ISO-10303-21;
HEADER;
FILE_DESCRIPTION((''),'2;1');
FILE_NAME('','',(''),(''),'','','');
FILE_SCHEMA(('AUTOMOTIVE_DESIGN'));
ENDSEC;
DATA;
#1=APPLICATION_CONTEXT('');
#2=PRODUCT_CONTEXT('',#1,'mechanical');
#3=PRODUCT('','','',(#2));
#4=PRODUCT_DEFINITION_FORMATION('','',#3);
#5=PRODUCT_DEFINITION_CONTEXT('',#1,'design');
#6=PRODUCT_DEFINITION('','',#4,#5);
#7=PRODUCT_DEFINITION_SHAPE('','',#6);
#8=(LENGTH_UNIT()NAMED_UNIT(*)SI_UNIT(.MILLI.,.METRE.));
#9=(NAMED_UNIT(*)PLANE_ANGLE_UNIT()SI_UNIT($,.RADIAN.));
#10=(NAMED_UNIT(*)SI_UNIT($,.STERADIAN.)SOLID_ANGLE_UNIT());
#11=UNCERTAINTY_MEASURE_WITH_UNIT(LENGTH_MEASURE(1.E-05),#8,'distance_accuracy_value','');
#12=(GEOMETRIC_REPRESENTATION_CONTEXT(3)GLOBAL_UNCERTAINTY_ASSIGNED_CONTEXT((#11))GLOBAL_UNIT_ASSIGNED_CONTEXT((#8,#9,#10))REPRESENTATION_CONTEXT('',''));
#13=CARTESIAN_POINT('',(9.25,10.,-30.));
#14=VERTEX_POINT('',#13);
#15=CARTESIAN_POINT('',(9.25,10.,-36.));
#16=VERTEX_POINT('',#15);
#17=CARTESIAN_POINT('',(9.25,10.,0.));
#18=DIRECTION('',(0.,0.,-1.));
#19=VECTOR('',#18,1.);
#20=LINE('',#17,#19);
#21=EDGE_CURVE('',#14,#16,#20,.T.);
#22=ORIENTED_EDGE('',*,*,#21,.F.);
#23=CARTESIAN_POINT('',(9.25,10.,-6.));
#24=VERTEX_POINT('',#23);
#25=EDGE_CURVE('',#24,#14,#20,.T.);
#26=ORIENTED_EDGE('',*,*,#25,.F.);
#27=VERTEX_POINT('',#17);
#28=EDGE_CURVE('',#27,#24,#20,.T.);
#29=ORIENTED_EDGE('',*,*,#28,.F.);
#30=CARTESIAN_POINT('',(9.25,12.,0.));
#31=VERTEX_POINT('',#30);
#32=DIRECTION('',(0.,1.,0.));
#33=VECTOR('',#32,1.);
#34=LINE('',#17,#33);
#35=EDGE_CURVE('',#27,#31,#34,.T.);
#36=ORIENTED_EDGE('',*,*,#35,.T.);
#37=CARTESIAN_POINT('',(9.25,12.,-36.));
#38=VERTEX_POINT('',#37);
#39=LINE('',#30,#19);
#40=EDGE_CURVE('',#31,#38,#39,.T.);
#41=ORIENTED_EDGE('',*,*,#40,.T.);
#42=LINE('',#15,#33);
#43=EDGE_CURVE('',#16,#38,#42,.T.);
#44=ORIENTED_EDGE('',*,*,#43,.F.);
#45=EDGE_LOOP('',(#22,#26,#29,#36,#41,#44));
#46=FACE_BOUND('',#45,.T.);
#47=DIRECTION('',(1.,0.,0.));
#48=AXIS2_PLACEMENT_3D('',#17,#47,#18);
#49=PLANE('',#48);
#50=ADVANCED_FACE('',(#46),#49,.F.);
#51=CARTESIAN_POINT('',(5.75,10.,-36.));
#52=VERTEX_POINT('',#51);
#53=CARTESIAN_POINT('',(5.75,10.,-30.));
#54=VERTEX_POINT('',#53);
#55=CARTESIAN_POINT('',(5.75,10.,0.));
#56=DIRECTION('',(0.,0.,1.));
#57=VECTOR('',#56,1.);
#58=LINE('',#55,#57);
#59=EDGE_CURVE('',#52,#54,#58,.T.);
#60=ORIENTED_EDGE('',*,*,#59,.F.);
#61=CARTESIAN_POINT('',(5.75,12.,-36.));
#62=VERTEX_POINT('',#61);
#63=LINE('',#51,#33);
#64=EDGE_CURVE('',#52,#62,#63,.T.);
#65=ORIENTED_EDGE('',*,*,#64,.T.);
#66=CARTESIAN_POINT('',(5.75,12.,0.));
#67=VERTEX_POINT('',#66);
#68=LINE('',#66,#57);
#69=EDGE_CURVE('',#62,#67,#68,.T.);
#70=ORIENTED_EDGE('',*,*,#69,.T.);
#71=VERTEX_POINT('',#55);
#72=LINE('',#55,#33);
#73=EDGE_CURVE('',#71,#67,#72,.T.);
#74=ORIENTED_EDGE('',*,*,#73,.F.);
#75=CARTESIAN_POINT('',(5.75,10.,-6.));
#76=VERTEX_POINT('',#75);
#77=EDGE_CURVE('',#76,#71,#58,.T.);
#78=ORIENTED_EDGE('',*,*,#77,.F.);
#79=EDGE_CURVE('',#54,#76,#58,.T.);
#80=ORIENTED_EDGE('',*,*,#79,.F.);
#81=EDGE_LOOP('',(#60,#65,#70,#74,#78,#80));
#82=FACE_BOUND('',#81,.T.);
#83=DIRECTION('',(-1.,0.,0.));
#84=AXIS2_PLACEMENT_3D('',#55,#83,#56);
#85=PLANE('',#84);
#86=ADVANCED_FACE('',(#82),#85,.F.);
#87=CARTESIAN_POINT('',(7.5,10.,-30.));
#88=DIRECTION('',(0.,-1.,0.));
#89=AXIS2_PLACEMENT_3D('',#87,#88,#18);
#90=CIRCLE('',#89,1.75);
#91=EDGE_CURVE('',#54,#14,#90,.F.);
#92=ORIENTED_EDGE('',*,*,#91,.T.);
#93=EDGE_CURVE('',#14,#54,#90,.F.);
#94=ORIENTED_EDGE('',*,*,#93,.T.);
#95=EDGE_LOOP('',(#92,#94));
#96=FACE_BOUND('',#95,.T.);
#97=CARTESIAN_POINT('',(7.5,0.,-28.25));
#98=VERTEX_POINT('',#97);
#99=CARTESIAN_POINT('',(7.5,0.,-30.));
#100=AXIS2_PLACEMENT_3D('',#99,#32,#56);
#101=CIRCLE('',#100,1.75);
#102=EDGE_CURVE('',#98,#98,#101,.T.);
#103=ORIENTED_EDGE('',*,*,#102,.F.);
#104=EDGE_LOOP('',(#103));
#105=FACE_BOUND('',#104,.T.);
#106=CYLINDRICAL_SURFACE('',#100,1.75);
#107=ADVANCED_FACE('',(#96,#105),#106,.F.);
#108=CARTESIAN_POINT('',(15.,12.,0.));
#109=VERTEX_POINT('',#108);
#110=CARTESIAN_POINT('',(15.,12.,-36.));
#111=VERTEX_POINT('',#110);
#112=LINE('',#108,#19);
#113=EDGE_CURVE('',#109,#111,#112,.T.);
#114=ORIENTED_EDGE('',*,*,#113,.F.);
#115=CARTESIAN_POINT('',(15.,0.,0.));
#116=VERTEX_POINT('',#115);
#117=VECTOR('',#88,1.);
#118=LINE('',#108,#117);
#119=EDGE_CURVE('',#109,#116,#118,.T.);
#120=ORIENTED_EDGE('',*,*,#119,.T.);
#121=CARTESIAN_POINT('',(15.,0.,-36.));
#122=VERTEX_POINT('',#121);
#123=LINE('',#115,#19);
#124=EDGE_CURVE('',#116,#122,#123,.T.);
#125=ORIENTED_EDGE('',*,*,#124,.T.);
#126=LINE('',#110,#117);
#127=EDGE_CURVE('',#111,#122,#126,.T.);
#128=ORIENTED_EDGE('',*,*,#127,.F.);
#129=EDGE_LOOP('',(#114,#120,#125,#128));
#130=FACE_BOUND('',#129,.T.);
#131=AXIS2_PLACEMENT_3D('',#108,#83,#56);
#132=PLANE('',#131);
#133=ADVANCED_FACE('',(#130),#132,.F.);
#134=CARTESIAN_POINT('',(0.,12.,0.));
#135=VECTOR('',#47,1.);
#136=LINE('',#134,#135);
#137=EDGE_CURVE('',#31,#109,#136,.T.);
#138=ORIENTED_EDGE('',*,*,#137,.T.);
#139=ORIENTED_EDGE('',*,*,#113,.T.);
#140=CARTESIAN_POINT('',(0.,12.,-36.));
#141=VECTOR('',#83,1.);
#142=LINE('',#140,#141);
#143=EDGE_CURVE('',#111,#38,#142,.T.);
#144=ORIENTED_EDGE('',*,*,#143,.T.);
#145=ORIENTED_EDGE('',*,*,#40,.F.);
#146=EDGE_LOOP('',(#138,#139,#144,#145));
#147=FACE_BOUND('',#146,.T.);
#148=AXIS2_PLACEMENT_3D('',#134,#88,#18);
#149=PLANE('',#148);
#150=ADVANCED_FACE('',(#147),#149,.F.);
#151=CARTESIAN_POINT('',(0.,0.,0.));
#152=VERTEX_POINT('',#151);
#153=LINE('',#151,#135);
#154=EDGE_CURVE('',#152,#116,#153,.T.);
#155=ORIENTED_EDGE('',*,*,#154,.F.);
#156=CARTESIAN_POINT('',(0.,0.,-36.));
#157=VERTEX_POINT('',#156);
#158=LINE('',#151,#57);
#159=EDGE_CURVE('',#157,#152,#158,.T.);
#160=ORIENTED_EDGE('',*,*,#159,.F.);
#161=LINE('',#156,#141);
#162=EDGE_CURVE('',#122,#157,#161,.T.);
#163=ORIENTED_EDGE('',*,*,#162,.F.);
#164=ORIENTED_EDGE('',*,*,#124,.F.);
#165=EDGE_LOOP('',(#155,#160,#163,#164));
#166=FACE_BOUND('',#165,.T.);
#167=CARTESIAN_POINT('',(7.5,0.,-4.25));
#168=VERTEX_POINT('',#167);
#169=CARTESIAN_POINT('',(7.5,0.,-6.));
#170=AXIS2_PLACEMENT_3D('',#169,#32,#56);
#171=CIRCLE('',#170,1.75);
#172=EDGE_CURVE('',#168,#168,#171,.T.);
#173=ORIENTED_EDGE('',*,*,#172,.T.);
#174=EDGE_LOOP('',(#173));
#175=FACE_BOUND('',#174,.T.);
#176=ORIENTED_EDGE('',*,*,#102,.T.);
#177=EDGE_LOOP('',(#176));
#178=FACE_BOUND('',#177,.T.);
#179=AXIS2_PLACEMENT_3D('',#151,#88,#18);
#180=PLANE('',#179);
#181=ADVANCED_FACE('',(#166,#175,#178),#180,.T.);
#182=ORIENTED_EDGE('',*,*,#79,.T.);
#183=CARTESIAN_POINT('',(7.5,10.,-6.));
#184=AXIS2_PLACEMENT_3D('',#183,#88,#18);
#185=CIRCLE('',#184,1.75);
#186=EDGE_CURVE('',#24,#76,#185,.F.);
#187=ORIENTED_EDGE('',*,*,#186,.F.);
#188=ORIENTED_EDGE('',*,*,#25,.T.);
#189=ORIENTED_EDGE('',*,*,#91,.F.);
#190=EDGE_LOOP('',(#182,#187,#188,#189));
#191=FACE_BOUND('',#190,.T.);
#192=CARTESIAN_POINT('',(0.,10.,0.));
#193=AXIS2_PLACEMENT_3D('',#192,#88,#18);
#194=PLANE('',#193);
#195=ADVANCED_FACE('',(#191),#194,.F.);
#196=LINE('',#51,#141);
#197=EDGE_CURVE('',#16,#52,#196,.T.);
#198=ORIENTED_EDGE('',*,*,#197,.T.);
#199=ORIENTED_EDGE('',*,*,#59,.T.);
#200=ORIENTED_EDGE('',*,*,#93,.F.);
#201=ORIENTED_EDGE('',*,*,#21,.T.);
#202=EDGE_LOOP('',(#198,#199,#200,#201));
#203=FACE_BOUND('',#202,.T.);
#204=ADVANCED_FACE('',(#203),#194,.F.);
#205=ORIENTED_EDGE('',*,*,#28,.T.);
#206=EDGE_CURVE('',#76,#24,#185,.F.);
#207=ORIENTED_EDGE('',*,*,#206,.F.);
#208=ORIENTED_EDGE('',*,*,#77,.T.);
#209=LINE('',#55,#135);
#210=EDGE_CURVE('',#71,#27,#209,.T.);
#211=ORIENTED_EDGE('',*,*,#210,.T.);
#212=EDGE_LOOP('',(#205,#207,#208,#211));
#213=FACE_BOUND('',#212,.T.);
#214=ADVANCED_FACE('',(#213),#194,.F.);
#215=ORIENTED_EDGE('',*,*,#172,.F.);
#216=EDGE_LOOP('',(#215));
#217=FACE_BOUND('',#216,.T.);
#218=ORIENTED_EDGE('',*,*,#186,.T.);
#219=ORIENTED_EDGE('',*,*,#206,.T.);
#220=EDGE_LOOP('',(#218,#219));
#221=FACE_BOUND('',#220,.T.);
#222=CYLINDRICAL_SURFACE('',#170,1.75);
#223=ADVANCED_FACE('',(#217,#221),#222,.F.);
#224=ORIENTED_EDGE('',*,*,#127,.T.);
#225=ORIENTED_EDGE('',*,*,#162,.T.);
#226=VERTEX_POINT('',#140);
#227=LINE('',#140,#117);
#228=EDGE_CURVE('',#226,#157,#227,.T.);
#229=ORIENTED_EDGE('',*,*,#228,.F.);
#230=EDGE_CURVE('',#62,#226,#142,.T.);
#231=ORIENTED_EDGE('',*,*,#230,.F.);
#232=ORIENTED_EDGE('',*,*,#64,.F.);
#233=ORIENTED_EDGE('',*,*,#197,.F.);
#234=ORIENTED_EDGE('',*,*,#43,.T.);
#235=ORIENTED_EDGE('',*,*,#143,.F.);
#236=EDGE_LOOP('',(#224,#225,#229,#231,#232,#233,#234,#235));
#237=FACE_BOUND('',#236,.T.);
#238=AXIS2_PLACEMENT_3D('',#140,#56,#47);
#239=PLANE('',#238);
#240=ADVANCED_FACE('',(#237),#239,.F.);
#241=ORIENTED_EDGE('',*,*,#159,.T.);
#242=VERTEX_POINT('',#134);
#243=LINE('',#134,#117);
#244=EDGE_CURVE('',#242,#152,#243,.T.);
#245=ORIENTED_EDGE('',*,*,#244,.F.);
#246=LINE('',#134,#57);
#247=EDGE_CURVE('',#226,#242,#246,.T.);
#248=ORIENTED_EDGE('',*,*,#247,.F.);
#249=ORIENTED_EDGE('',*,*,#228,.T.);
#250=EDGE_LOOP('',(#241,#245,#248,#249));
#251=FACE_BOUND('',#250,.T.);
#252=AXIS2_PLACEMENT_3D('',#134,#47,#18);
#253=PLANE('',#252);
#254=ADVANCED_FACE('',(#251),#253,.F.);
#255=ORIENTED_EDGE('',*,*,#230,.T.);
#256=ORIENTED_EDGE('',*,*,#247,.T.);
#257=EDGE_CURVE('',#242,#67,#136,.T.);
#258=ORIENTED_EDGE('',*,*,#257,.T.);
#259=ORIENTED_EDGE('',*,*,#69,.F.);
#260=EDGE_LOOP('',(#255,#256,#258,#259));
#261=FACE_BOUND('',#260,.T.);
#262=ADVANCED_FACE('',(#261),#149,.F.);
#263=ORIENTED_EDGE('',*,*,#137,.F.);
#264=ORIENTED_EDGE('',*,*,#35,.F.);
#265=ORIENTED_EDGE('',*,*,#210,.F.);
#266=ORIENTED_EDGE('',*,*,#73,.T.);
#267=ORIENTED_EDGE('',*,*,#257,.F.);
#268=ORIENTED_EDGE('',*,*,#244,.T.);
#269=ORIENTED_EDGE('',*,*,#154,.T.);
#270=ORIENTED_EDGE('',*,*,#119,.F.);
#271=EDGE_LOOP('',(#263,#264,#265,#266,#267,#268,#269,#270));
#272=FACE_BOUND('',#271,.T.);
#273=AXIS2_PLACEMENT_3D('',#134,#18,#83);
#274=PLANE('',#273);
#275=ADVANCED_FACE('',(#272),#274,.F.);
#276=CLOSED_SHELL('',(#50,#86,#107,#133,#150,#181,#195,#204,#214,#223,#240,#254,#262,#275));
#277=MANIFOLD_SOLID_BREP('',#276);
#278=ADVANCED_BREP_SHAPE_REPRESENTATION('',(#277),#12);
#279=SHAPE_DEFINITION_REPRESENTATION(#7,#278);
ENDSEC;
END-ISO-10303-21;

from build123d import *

# Parameters (mm, degrees)
SKETCH1_W           = 15
SKETCH1_H           = 36
BOSS_EXTRUDE1_DEPTH = 12
SKETCH2_R           = 1.75
CUT_EXTRUDE1_DEPTH  = 12
SKETCH3_W           = 3.5
SKETCH3_H           = 36
CUT_EXTRUDE2_DEPTH  = 2


with BuildPart() as part:
    # Sketch1 → Boss-Extrude1 (new body)
    with BuildSketch(Plane(origin=(0, 0, 0), x_dir=(1, 0, 0), z_dir=(0, 1, 0))):
        with Locations((7.5, 18)):
            Rectangle(SKETCH1_W, SKETCH1_H)
    extrude(amount=BOSS_EXTRUDE1_DEPTH)

    # Sketch2 → Cut-Extrude1 (cut)
    with BuildSketch(Plane(origin=(0, 12, 0), x_dir=(1, 0, 0), z_dir=(0, 1, 0))):
        with Locations(Location((7.5, 30, 0), (0, 0, 270))):
            Circle(SKETCH2_R)
        with Locations(Location((7.5, 6, 0), (0, 0, 270))):
            Circle(SKETCH2_R)
    extrude(amount=-CUT_EXTRUDE1_DEPTH, mode=Mode.SUBTRACT)

    # Sketch3 → Cut-Extrude2 (cut)
    with BuildSketch(Plane(origin=(0, 12, 0), x_dir=(1, 0, 0), z_dir=(0, 1, 0))):
        with Locations((7.5, 18)):
            Rectangle(SKETCH3_W, SKETCH3_H)
    extrude(amount=-CUT_EXTRUDE2_DEPTH, mode=Mode.SUBTRACT)


solid = part.part
